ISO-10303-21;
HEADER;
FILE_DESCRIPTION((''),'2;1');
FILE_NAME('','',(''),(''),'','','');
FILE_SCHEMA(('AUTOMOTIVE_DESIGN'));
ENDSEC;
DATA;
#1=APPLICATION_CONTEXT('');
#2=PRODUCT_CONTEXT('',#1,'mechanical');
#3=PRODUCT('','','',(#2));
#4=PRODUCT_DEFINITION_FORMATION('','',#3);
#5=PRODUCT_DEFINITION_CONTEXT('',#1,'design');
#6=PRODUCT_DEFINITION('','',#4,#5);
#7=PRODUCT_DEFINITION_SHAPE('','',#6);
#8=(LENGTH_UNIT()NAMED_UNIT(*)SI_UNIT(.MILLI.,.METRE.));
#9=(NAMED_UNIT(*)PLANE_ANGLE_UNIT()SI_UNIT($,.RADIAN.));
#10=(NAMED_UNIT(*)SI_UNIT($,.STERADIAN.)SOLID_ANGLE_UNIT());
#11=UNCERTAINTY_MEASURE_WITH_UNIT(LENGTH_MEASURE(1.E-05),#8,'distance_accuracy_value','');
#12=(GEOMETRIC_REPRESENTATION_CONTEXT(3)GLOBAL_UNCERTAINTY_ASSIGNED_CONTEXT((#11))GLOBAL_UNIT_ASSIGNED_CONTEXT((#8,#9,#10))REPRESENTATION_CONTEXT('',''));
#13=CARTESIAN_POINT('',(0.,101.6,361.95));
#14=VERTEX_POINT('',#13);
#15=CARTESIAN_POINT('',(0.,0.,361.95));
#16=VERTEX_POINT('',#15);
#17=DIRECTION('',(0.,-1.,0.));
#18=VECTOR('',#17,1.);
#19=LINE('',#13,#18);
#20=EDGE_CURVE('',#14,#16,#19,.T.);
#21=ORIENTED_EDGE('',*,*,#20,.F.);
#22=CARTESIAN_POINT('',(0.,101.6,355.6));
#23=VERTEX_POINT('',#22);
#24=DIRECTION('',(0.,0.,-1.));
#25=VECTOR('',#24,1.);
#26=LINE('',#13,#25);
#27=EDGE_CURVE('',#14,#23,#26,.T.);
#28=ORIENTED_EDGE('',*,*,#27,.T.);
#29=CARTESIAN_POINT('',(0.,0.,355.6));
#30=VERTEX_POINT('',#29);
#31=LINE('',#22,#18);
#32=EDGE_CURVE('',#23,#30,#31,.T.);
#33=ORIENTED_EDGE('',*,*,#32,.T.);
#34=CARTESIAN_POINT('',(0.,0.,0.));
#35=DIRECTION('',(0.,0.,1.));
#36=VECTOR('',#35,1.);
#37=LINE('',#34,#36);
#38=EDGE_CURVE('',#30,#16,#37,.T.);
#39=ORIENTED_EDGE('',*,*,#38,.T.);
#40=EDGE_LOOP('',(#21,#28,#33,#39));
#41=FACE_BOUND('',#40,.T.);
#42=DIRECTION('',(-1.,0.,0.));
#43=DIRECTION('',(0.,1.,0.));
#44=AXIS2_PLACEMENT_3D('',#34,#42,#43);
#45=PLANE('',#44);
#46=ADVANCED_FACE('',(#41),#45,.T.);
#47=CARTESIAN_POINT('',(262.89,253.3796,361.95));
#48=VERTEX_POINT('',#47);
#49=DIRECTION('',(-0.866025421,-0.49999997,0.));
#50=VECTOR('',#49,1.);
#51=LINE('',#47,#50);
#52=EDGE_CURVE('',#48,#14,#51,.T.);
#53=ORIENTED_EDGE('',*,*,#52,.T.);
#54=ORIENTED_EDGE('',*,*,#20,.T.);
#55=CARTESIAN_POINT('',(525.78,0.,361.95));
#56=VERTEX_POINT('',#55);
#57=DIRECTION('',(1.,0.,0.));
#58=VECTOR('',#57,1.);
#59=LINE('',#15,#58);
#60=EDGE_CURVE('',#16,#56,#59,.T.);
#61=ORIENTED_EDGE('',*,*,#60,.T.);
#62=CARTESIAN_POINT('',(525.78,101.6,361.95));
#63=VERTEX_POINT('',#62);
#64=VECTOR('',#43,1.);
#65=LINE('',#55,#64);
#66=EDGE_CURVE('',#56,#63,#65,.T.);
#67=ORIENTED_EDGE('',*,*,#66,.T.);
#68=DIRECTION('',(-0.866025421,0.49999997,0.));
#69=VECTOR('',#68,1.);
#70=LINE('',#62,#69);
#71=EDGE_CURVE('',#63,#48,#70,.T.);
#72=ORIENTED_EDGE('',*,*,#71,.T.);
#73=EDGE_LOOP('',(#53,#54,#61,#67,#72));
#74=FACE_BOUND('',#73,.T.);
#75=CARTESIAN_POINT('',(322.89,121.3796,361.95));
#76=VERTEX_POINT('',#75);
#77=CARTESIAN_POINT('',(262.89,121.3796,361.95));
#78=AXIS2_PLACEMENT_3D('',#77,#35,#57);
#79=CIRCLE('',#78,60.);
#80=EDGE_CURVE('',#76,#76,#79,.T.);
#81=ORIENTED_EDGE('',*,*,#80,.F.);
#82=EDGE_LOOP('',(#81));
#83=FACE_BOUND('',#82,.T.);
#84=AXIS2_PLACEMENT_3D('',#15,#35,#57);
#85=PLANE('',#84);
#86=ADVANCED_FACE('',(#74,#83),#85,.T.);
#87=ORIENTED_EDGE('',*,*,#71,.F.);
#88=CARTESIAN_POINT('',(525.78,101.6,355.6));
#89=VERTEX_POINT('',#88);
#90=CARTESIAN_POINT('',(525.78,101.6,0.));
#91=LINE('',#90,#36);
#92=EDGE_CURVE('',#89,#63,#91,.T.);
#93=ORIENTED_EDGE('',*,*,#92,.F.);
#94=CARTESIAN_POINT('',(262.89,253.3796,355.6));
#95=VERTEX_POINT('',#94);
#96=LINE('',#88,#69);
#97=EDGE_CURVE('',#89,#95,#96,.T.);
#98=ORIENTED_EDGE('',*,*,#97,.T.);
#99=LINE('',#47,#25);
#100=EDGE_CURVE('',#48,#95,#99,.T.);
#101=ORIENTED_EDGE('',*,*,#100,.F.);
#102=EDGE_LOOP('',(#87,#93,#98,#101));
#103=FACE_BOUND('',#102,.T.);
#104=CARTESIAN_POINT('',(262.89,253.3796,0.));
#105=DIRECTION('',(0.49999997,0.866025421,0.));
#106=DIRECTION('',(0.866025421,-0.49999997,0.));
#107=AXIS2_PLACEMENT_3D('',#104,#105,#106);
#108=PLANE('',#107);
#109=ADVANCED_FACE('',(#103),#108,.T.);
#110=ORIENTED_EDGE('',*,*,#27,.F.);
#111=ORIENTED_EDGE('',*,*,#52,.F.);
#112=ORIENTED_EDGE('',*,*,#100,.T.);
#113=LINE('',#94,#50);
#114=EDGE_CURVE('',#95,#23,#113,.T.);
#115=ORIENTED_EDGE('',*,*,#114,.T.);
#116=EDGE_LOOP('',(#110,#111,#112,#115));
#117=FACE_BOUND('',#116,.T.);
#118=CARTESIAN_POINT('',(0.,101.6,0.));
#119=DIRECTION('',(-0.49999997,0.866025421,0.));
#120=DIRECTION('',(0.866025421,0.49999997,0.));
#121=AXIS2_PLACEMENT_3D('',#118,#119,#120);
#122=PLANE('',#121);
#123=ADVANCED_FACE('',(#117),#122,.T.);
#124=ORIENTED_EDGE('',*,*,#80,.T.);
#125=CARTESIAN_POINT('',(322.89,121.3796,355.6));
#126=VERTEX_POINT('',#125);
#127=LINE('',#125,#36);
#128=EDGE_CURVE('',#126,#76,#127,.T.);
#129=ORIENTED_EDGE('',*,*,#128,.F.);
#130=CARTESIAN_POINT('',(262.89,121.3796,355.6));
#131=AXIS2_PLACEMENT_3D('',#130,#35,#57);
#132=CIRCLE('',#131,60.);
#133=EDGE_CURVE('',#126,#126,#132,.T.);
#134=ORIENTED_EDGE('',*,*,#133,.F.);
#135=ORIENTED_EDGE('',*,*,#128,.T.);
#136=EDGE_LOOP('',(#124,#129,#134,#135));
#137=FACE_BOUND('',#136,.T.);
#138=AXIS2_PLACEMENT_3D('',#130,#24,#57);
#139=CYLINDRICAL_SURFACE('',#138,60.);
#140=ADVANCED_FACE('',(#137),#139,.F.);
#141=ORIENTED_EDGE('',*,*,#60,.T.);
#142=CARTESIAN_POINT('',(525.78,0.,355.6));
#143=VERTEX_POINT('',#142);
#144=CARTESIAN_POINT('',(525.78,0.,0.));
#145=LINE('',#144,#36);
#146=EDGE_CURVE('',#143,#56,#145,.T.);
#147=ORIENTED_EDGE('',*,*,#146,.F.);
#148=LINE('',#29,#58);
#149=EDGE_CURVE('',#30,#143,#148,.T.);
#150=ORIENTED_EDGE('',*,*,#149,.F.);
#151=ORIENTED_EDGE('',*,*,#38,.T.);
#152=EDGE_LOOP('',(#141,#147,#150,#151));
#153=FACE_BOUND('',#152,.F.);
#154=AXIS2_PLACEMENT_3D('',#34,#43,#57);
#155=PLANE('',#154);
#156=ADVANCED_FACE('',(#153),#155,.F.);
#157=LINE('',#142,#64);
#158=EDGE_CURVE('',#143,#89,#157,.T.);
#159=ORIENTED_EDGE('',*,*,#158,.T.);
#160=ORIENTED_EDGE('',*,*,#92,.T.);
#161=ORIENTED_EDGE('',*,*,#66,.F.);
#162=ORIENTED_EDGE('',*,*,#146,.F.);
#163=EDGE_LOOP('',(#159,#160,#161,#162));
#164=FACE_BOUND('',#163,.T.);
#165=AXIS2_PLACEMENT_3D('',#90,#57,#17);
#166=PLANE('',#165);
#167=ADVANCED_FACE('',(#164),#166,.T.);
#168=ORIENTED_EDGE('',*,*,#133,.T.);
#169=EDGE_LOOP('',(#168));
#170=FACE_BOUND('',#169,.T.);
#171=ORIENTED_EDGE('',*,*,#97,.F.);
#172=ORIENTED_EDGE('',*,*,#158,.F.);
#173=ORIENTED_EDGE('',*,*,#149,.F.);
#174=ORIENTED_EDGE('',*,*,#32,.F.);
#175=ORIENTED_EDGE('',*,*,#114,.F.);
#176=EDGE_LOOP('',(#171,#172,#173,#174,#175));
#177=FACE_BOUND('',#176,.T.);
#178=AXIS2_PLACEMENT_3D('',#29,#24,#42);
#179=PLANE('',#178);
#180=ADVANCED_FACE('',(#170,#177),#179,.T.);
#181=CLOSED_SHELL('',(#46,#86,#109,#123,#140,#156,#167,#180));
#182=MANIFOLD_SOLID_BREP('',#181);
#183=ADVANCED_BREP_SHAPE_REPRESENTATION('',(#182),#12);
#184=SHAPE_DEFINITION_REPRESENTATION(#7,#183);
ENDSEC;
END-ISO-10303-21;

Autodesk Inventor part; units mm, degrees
ref_plane "YZ Plane" through (0, 0, 0) normal (1, 0, 0) x (0, 1, 0)
ref_plane "XZ Plane" through (0, 0, 0) normal (0, 1, 0) x (-1, 0, 0)
ref_plane "XY Plane" through (0, 0, 0) normal (0, 0, 1) x (1, 0, 0)
sketch "Sketch1" plane through (0, 0, 0) normal (0, 0, 1) x (1, 0, 0)
  line L0 (0, 0) -> (525.78, 0)
  line L1 (0, 0) -> (0, 101.6)
  line L2 (0, 101.6) -> (262.89, 253.3796)
  line L3 (262.89, 253.3796) -> (525.78, 101.6)
  line L4 (525.78, 101.6) -> (525.78, 0)
  line L5 (262.89, 246.0473) -> (6.35, 97.9338)
  line L6 (6.35, 97.9338) -> (6.35, 6.35)
  line L7 (6.35, 6.35) -> (519.43, 6.35)
  line L8 (519.43, 6.35) -> (519.43, 97.9338)
  line L9 (519.43, 97.9338) -> (262.89, 246.0473)
  point P0 (262.89, 0)
  dimension "d0" = 525.78
  dimension "d1" = 101.6
  dimension "d2" = 120
  dimension "d3" = 6.35
extrude "Extrusion1" add sketch "Sketch1" along normal blind 355.6
sketch "Sketch2" plane through (0, 0, 355.6) normal (0, 0, 1) x (1, 0, 0)
  line L0 (262.89, 246.0473) -> (519.43, 97.9338) projected
  line L1 (519.43, 97.9338) -> (519.43, 6.35) projected
  line L2 (519.43, 6.35) -> (6.35, 6.35) projected
  line L3 (6.35, 6.35) -> (6.35, 97.9338) projected
  line L4 (6.35, 97.9338) -> (262.89, 246.0473) projected
  line L5 (0, 0) -> (525.78, 0) projected
  line L6 (525.78, 0) -> (525.78, 101.6) projected
  line L7 (525.78, 101.6) -> (262.89, 253.3796) projected
  line L8 (262.89, 253.3796) -> (0, 101.6) projected
  line L9 (0, 101.6) -> (0, 0) projected
  circle A0 centre (262.89, 121.3796) radius 60
  dimension "d6" = 120
  dimension "d7" = 132
extrude "Extrusion2" add sketch "Sketch2" along normal blind 6.35 contours L0 L1 L2 L3 L4 | L9 L8 L7 L6 L5
sketch "Sketch3" plane through (0, 0, 0) normal (0, -1, 0) x (1, 0, 0)
  line L0 (0, 0) -> (525.78, 0) construction
  line L1 (525.78, 0) -> (525.78, 88.9)
  line L2 (525.78, 88.9) -> (0, 88.9) construction
  line L3 (0, 88.9) -> (0, 0) construction
  line L4 (86.36, 21.95) -> (86.36, 66.95) construction
  circle A0 centre (86.36, 44.45) radius 2.3812
  circle A1 centre (86.36, 21.95) radius 2.3812
  circle A2 centre (86.36, 66.95) radius 2.3812
  line L5 (146.36, 49.45) -> (146.36, 29.45) construction
  line L6 (156.36, 66.95) -> (156.36, 21.95) construction
  line L7 (146.36, 29.45) -> (166.36, 29.45) construction
  line L8 (166.36, 49.45) -> (146.36, 49.45) construction
  line L9 (86.36, 66.95) -> (226.36, 66.95) construction
  line L10 (226.36, 21.95) -> (86.36, 21.95) construction
  line L11 (86.36, 44.45) -> (226.36, 44.45) construction
  line L12 (166.36, 29.45) -> (166.36, 49.45) construction
  line L13 (226.36, 66.95) -> (226.36, 21.95) construction
  circle A3 centre (226.36, 66.95) radius 2.3813
  circle A4 centre (226.36, 44.45) radius 2.3813
  circle A5 centre (226.36, 21.95) radius 2.3813
  circle A6 centre (156.36, 39.45) radius 10
  line L14 (0, 0) -> (0, 361.95) projected
  line L15 (525.78, 0) -> (525.78, 361.95) projected
  line L16 (0, 0) -> (525.78, 0) projected
  point P0 (0, 44.45)
  point P1 (146.36, 39.45)
  point P2 (166.36, 39.45)
  point P3 (262.89, 0)
  dimension "d10" = 45
  dimension "d11" = 140
  dimension "d12" = 4.7625
  dimension "d13" = 4.7625
  dimension "d14" = 4.7625
  dimension "d15" = 4.7625
  dimension "d16" = 4.7625
  dimension "d17" = 4.7625
  dimension "d18" = 60
  dimension "d19" = 7.5
  dimension "d20" = 20
  dimension "d21" = 20
  dimension "d22" = 86.36
  dimension "d23" = 88.9
extrude "Extrusion3" cut sketch "Sketch3" against normal blind 6.35
sketch "Sketch4" plane through (0, 0, 0) normal (0, -1, 0) x (1, 0, 0)
  line L0 (71.36, 0) -> (241.36, 0)
  line L1 (241.36, 0) -> (241.36, 85)
  line L2 (241.36, 85) -> (71.36, 85)
  line L3 (71.36, 85) -> (71.36, 0)
  line L4 (0, 0) -> (525.78, 0) construction
  circle A0 centre (156.36, 39.45) radius 10 construction
  point P0 (156.36, 85)
  dimension "d26" = 170
  dimension "d27" = 85
extrude "Extrusion4" cut sketch "Sketch4" against normal blind 6.35
sketch "Sketch5" plane through (0, 0, 361.95) normal (0, -1, 0) x (1, 0, 0)
  line L0 (525.78, -361.95) -> (525.78, 0) projected
  line L1 (0, -361.95) -> (0, 0) projected
  line L2 (525.78, -361.95) -> (0, -361.95)
  line L3 (0, -361.95) -> (0, -124.8833)
  line L4 (0, -124.8833) -> (525.78, -124.8833)
  line L5 (525.78, -124.8833) -> (525.78, -361.95)
  dimension "d30" = 237.0667
extrude "Extrusion5" cut sketch "Sketch5" against normal through all
sketch "Sketch6" plane through (0, 0, 355.6) normal (0, 0, -1) x (-1, 0, 0)
  line L0 (-519.43, 6.35) -> (-6.35, 6.35) projected
  circle A0 centre (-262.89, 121.3796) radius 60 projected
  line L1 (0, 0) -> (-525.78, 0) projected
  line L2 (-525.78, 0) -> (-525.78, 101.6) projected
  line L3 (-525.78, 101.6) -> (-262.89, 253.3796) projected
  line L4 (-262.89, 253.3796) -> (0, 101.6) projected
  line L5 (0, 101.6) -> (0, 0) projected
extrude "Extrusion6" cut sketch "Sketch6" along normal through all
properties part number "CA01" material "ABS Plastic"
